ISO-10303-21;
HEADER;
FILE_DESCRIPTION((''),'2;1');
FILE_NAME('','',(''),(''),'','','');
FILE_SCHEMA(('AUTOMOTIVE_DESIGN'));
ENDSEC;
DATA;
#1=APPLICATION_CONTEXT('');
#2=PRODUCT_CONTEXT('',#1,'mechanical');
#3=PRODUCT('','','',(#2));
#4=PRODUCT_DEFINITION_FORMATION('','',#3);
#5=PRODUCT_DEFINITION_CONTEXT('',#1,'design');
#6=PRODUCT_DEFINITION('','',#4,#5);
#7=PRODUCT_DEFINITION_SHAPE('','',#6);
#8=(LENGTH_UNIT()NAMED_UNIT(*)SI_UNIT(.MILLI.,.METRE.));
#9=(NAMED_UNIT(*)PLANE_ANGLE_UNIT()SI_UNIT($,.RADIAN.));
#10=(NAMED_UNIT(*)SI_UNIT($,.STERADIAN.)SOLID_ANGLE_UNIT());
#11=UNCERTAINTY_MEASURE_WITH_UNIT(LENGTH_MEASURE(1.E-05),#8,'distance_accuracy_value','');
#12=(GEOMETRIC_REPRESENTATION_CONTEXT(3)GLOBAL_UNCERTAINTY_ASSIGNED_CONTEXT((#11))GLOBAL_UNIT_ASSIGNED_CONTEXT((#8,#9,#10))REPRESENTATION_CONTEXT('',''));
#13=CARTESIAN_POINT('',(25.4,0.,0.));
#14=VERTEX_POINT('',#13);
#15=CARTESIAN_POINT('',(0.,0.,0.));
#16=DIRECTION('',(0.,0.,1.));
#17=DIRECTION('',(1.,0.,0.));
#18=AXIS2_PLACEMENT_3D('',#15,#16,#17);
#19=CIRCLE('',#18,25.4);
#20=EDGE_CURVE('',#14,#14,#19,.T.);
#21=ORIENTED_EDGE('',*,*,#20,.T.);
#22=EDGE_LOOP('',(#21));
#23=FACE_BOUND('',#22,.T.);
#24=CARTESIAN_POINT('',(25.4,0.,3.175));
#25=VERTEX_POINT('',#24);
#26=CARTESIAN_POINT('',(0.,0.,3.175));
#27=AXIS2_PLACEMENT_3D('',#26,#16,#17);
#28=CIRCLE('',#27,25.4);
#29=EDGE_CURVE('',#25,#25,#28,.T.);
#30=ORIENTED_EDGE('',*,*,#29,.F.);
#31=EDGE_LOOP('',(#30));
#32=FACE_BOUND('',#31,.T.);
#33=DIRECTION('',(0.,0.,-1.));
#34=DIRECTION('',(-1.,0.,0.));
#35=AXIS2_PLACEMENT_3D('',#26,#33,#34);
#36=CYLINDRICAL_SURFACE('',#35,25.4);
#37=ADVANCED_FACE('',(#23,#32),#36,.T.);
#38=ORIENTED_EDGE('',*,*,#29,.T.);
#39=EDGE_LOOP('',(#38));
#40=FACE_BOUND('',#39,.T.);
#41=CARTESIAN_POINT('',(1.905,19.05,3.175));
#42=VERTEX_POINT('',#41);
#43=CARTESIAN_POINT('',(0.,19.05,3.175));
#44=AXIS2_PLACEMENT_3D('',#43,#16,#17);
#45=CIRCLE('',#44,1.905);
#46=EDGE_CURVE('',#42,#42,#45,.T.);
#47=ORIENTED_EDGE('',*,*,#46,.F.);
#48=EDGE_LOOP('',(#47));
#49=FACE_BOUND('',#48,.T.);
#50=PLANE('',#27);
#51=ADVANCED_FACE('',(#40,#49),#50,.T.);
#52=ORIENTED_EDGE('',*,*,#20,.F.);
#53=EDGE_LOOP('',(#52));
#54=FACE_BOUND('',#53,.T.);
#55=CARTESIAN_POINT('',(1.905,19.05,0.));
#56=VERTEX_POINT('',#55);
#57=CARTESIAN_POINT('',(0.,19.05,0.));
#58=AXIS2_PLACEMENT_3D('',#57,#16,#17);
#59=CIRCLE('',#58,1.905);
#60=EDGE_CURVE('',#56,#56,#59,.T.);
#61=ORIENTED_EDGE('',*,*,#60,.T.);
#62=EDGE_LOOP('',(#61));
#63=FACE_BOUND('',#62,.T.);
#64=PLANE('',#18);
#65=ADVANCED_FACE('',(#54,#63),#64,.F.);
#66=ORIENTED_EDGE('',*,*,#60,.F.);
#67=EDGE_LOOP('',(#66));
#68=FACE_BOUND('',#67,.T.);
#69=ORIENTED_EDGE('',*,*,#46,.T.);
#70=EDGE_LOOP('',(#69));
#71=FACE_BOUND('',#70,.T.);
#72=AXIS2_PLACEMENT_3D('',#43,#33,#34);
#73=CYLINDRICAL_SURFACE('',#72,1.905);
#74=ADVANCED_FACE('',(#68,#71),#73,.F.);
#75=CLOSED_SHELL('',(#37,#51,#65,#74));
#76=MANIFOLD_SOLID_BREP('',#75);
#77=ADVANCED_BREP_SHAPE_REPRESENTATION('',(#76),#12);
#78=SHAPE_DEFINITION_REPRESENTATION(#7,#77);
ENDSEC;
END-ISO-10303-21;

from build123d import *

# Parameters (mm, degrees)
SKETCH1_R           = 25.4
SKETCH1_R_2         = 1.905
BOSS_EXTRUDE1_DEPTH = 3.175


with BuildPart() as part:
    # Sketch1 → Boss-Extrude1 (new body)
    with BuildSketch(Plane.XY):
        Circle(SKETCH1_R)
        with Locations((0, 19.05)):
            Circle(SKETCH1_R_2, mode=Mode.SUBTRACT)
    extrude(amount=BOSS_EXTRUDE1_DEPTH)


solid = part.part
